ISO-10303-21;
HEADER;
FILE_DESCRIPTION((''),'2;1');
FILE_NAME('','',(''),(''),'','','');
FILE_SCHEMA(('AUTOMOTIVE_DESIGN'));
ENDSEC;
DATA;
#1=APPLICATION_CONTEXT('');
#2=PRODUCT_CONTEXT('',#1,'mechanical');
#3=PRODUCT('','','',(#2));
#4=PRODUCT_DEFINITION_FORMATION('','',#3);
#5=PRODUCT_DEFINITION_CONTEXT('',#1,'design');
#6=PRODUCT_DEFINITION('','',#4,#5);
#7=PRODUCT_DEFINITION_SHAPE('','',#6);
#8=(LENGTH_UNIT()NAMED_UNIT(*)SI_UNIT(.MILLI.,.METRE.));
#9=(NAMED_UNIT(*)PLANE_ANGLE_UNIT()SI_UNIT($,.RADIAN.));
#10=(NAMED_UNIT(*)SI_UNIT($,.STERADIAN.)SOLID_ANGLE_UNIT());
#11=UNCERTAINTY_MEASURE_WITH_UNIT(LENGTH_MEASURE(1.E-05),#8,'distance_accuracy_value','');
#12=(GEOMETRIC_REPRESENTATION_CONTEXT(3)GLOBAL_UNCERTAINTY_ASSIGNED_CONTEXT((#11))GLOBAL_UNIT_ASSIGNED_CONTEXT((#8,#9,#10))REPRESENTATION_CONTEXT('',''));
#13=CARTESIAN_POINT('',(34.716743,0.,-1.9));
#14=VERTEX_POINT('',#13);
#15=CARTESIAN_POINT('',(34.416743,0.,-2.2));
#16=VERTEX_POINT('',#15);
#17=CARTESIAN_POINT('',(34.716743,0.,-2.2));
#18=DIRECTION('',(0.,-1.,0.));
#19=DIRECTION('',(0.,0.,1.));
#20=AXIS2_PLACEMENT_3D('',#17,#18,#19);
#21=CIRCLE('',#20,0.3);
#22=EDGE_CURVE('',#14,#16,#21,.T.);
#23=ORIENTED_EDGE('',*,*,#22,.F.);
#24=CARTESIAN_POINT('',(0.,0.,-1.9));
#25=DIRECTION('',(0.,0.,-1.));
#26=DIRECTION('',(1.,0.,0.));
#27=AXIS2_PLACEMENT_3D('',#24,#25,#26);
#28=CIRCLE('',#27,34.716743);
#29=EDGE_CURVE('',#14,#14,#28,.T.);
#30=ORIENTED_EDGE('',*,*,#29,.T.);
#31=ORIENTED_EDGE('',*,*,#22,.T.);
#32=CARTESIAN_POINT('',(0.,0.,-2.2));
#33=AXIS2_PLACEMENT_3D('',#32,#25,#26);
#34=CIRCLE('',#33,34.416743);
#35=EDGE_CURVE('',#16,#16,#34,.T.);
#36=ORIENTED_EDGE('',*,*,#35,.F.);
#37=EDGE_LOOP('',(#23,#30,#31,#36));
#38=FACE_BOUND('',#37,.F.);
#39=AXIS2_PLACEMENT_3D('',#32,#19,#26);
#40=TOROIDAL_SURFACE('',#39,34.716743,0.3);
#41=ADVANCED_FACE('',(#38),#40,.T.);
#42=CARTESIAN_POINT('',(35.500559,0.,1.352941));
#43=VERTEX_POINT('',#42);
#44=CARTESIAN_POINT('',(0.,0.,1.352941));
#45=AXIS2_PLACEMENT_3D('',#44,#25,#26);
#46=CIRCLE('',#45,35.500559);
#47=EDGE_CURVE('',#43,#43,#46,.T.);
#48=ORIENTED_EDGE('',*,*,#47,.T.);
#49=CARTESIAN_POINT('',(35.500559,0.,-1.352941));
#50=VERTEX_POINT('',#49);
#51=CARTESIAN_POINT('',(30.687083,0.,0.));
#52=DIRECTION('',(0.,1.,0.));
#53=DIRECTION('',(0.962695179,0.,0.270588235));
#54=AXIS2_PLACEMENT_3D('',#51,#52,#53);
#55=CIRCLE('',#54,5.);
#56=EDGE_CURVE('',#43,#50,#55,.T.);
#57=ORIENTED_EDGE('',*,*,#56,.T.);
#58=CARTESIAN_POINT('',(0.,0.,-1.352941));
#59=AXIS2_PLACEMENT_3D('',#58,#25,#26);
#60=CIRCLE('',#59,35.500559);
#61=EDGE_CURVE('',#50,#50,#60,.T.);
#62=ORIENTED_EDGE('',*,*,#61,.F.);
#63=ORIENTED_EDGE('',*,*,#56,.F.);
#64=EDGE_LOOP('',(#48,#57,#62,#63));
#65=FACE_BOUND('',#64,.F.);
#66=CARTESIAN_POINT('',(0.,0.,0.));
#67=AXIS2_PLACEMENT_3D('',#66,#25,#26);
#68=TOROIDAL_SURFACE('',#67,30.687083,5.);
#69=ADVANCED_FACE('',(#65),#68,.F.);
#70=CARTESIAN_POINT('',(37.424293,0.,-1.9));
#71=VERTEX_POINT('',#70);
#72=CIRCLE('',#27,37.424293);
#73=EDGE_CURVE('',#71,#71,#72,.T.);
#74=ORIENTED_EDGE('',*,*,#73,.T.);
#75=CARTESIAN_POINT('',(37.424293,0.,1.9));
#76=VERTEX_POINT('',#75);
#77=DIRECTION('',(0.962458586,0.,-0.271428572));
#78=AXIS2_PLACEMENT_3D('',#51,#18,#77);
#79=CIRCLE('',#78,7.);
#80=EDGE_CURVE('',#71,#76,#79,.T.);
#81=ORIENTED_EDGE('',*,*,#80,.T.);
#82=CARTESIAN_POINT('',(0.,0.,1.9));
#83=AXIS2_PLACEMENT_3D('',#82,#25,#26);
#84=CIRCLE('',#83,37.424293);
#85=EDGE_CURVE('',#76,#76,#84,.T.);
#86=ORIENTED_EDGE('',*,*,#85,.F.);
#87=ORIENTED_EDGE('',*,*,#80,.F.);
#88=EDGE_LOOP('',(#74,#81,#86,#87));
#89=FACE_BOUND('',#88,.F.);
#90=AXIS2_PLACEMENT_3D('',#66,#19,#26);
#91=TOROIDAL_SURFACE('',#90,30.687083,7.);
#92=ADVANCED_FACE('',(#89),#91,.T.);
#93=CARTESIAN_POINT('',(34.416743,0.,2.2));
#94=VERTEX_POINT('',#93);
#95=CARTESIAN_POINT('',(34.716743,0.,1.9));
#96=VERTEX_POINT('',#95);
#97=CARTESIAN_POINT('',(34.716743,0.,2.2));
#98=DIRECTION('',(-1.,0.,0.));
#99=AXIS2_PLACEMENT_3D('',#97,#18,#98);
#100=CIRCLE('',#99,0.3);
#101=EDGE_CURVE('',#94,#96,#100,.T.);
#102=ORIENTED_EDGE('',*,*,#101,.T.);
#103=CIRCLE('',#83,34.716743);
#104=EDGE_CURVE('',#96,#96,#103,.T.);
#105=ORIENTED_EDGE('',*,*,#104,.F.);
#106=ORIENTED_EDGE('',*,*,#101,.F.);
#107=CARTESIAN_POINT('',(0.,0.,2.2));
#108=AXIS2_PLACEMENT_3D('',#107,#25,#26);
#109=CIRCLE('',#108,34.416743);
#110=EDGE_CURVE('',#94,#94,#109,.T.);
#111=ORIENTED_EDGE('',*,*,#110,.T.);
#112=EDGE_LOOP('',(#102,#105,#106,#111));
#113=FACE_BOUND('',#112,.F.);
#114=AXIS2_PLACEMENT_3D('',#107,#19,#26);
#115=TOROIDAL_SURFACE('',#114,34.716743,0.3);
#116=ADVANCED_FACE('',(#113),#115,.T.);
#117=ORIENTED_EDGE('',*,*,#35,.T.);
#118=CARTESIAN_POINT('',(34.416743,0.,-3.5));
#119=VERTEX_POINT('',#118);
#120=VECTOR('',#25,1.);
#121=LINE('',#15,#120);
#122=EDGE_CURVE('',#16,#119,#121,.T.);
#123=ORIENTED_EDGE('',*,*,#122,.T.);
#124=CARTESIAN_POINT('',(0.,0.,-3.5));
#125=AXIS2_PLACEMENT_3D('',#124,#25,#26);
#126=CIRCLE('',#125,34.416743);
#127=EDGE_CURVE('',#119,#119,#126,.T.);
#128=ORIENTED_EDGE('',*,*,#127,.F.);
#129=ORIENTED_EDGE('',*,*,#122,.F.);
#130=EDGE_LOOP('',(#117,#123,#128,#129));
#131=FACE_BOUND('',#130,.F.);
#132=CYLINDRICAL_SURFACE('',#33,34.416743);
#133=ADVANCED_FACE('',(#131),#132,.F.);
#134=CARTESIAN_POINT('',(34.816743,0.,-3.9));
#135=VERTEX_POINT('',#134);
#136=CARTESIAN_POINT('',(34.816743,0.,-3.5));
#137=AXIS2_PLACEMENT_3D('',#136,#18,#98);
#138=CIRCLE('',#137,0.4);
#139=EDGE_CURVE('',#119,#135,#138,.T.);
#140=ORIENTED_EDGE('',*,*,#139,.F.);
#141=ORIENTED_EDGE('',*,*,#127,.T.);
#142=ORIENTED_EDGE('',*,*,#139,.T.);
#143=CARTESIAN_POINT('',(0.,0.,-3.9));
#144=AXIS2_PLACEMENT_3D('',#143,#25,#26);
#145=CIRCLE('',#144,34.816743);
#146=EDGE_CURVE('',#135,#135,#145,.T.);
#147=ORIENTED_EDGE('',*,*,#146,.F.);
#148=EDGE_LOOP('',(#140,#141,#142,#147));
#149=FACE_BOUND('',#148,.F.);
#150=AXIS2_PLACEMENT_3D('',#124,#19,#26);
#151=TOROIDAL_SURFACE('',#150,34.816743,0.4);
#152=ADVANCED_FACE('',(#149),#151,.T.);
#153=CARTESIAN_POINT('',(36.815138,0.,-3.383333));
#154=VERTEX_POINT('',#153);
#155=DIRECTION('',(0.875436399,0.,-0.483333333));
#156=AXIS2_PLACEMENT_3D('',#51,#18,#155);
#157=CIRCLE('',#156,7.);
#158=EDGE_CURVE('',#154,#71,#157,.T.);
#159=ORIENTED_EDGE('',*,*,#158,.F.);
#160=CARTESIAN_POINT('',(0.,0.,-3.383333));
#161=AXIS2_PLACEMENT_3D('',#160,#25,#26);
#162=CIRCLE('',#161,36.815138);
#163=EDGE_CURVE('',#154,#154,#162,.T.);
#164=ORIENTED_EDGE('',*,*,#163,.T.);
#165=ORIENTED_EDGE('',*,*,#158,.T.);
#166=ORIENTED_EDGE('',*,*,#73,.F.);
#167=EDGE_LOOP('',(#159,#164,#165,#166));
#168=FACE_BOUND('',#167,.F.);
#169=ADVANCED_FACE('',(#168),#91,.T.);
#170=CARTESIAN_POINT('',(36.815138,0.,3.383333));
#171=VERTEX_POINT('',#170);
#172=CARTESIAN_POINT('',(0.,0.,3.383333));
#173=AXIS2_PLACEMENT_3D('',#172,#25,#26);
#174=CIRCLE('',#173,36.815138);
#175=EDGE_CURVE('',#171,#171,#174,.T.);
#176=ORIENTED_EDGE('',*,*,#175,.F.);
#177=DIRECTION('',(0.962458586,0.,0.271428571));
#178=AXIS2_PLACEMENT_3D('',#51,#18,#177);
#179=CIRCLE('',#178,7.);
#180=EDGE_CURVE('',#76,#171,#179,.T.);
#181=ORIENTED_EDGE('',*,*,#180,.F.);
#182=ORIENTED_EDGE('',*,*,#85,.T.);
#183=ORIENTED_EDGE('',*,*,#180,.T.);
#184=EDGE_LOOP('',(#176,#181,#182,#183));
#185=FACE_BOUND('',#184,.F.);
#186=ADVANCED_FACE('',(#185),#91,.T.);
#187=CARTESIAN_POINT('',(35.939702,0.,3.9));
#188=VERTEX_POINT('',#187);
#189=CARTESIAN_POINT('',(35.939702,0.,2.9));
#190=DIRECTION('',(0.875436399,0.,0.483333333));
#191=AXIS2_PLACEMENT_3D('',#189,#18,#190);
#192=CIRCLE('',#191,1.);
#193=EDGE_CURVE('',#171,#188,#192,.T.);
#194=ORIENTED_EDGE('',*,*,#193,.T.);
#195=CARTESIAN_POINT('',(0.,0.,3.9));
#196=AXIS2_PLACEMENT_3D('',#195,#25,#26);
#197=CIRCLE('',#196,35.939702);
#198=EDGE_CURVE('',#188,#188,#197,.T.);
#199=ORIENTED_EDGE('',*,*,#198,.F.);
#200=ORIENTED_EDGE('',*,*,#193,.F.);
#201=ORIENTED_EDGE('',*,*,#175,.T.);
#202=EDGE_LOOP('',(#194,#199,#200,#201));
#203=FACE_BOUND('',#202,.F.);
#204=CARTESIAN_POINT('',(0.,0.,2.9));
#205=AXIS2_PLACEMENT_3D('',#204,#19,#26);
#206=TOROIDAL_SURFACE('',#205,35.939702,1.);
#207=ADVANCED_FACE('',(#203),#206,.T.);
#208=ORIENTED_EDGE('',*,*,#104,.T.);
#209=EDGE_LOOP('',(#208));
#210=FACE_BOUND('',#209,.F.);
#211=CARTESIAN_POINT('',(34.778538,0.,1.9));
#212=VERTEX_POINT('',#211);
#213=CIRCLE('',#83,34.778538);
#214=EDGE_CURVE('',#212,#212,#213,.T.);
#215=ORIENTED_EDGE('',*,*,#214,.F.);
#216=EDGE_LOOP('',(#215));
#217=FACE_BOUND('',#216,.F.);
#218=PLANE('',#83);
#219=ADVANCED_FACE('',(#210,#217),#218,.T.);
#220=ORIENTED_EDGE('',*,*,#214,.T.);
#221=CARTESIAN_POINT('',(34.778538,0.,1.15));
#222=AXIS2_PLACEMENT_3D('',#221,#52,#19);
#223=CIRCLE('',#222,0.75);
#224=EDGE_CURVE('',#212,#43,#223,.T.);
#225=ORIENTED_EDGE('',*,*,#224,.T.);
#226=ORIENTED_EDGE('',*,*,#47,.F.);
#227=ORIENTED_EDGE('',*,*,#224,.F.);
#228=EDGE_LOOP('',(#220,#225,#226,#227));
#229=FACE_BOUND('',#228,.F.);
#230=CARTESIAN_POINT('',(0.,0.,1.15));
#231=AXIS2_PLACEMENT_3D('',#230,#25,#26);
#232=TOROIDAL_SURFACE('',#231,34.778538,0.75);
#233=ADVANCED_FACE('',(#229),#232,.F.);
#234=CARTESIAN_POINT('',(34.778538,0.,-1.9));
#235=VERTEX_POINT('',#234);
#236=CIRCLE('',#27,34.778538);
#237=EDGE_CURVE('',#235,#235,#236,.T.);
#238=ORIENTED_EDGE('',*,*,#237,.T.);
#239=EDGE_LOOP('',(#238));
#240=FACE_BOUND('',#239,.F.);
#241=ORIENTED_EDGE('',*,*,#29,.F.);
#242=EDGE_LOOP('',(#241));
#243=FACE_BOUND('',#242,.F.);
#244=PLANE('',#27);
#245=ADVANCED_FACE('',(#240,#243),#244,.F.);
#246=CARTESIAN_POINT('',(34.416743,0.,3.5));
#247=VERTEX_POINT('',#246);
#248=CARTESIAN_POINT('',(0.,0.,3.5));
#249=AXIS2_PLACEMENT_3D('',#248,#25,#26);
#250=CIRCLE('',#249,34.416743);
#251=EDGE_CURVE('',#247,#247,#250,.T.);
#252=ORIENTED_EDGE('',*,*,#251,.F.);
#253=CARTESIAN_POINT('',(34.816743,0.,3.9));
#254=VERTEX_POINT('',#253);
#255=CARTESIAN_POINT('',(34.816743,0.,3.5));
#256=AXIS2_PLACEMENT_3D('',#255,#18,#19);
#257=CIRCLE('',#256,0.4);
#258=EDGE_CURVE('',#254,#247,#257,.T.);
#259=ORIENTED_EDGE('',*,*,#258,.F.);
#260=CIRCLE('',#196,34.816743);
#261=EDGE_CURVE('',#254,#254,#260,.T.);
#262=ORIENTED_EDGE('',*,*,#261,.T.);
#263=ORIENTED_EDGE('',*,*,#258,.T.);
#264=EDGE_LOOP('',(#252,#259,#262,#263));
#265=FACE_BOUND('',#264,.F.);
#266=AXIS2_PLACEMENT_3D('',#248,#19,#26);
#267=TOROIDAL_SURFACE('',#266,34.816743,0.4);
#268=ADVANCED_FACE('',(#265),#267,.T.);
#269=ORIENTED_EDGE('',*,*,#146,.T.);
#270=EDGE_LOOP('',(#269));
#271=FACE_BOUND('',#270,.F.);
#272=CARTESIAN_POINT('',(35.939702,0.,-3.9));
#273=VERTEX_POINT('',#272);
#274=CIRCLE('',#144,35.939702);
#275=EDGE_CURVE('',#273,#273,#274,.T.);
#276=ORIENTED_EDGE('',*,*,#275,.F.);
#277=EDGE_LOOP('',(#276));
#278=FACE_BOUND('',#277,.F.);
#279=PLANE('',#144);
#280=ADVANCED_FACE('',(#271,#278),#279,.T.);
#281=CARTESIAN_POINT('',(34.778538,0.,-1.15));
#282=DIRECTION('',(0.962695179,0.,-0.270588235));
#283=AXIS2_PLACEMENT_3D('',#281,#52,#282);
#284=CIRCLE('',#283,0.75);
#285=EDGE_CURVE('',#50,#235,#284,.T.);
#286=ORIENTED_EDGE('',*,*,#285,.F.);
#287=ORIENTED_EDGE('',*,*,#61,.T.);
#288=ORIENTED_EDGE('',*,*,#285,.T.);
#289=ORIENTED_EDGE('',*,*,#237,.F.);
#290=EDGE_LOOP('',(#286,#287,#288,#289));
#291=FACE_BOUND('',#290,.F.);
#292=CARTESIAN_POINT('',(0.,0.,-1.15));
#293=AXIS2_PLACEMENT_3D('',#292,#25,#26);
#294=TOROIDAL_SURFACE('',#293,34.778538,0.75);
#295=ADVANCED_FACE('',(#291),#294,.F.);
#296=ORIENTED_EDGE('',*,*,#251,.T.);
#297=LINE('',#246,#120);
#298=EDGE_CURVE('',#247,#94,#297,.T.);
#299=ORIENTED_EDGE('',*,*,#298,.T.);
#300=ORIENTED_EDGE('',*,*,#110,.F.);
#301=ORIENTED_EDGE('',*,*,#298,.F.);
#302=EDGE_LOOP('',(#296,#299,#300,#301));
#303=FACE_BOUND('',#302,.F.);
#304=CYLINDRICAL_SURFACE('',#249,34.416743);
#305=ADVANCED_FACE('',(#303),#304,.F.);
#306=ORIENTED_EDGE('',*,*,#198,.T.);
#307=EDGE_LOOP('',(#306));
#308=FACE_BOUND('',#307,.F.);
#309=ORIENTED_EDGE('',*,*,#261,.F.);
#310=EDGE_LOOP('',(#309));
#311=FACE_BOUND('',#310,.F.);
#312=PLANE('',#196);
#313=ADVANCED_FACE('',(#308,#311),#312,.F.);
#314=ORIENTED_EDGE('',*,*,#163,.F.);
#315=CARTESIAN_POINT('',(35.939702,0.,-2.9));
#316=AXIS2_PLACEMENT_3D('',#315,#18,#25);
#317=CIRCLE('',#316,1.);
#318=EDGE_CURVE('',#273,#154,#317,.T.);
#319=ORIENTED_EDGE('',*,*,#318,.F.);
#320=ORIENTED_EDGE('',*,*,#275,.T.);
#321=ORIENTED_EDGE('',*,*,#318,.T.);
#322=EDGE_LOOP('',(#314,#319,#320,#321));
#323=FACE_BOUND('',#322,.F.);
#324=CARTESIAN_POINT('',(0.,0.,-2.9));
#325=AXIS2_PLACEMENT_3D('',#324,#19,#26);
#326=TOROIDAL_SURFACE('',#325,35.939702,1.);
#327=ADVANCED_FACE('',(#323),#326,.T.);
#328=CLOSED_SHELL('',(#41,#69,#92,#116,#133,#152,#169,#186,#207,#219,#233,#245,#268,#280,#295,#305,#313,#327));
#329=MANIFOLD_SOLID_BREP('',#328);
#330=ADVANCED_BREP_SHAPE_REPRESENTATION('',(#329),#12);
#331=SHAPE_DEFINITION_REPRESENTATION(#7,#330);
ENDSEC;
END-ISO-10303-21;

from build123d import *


with BuildPart() as f2:
    # F0 (on Front) → F2 (revolve)
    with BuildSketch(Plane.XZ):
        with BuildLine():
            Line((35.9397017429, 3.9), (34.816742668, 3.9))
            ThreePointArc((34.816742668, 3.9), (34.5338999555, 3.7828427125), (34.416742668, 3.5))
            Line((34.416742668, 3.5), (34.416742668, 2.2))
            ThreePointArc((34.416742668, 2.2), (34.5046106337, 1.9878679656), (34.716742668, 1.9))
            Line((34.716742668, 1.9), (34.7785378574, 1.9))
            Line((34.7785378574, 1.9), (37.4242934533, 1.9))
            ThreePointArc((37.4242934533, 1.9), (37.1623308087, 2.6591672242), (36.815138142, 3.3833333333))
            ThreePointArc((36.815138142, 3.3833333333), (36.4479667657, 3.7612007122), (35.9397017429, 3.9))
        make_face()
        with BuildLine():
            ThreePointArc((37.4242934533, -1.9), (37.6870833483, 0), (37.4242934533, 1.9))
            Line((37.4242934533, 1.9), (34.7785378574, 1.9))
            ThreePointArc((34.7785378574, 1.9), (35.2314694845, 1.7477900477), (35.5005592413, 1.3529411765))
            ThreePointArc((35.5005592413, 1.3529411765), (35.6870833483, 0), (35.5005592413, -1.3529411765))
            ThreePointArc((35.5005592413, -1.3529411765), (35.2314694845, -1.7477900477), (34.7785378574, -1.9))
            Line((34.7785378574, -1.9), (37.4242934533, -1.9))
        make_face()
        with BuildLine():
            ThreePointArc((36.815138142, -3.3833333333), (37.1623308087, -2.6591672242), (37.4242934533, -1.9))
            Line((37.4242934533, -1.9), (34.7785378574, -1.9))
            Line((34.7785378574, -1.9), (34.716742668, -1.9))
            ThreePointArc((34.716742668, -1.9), (34.5046106337, -1.9878679656), (34.416742668, -2.2))
            Line((34.416742668, -2.2), (34.416742668, -3.5))
            ThreePointArc((34.416742668, -3.5), (34.5338999555, -3.7828427125), (34.816742668, -3.9))
            Line((34.816742668, -3.9), (35.9397017429, -3.9))
            ThreePointArc((35.9397017429, -3.9), (36.4479667657, -3.7612007122), (36.815138142, -3.3833333333))
        make_face()
    revolve(axis=Axis((0, 0, 1.4160797), (0, 0, -1)))


solid = f2.part
